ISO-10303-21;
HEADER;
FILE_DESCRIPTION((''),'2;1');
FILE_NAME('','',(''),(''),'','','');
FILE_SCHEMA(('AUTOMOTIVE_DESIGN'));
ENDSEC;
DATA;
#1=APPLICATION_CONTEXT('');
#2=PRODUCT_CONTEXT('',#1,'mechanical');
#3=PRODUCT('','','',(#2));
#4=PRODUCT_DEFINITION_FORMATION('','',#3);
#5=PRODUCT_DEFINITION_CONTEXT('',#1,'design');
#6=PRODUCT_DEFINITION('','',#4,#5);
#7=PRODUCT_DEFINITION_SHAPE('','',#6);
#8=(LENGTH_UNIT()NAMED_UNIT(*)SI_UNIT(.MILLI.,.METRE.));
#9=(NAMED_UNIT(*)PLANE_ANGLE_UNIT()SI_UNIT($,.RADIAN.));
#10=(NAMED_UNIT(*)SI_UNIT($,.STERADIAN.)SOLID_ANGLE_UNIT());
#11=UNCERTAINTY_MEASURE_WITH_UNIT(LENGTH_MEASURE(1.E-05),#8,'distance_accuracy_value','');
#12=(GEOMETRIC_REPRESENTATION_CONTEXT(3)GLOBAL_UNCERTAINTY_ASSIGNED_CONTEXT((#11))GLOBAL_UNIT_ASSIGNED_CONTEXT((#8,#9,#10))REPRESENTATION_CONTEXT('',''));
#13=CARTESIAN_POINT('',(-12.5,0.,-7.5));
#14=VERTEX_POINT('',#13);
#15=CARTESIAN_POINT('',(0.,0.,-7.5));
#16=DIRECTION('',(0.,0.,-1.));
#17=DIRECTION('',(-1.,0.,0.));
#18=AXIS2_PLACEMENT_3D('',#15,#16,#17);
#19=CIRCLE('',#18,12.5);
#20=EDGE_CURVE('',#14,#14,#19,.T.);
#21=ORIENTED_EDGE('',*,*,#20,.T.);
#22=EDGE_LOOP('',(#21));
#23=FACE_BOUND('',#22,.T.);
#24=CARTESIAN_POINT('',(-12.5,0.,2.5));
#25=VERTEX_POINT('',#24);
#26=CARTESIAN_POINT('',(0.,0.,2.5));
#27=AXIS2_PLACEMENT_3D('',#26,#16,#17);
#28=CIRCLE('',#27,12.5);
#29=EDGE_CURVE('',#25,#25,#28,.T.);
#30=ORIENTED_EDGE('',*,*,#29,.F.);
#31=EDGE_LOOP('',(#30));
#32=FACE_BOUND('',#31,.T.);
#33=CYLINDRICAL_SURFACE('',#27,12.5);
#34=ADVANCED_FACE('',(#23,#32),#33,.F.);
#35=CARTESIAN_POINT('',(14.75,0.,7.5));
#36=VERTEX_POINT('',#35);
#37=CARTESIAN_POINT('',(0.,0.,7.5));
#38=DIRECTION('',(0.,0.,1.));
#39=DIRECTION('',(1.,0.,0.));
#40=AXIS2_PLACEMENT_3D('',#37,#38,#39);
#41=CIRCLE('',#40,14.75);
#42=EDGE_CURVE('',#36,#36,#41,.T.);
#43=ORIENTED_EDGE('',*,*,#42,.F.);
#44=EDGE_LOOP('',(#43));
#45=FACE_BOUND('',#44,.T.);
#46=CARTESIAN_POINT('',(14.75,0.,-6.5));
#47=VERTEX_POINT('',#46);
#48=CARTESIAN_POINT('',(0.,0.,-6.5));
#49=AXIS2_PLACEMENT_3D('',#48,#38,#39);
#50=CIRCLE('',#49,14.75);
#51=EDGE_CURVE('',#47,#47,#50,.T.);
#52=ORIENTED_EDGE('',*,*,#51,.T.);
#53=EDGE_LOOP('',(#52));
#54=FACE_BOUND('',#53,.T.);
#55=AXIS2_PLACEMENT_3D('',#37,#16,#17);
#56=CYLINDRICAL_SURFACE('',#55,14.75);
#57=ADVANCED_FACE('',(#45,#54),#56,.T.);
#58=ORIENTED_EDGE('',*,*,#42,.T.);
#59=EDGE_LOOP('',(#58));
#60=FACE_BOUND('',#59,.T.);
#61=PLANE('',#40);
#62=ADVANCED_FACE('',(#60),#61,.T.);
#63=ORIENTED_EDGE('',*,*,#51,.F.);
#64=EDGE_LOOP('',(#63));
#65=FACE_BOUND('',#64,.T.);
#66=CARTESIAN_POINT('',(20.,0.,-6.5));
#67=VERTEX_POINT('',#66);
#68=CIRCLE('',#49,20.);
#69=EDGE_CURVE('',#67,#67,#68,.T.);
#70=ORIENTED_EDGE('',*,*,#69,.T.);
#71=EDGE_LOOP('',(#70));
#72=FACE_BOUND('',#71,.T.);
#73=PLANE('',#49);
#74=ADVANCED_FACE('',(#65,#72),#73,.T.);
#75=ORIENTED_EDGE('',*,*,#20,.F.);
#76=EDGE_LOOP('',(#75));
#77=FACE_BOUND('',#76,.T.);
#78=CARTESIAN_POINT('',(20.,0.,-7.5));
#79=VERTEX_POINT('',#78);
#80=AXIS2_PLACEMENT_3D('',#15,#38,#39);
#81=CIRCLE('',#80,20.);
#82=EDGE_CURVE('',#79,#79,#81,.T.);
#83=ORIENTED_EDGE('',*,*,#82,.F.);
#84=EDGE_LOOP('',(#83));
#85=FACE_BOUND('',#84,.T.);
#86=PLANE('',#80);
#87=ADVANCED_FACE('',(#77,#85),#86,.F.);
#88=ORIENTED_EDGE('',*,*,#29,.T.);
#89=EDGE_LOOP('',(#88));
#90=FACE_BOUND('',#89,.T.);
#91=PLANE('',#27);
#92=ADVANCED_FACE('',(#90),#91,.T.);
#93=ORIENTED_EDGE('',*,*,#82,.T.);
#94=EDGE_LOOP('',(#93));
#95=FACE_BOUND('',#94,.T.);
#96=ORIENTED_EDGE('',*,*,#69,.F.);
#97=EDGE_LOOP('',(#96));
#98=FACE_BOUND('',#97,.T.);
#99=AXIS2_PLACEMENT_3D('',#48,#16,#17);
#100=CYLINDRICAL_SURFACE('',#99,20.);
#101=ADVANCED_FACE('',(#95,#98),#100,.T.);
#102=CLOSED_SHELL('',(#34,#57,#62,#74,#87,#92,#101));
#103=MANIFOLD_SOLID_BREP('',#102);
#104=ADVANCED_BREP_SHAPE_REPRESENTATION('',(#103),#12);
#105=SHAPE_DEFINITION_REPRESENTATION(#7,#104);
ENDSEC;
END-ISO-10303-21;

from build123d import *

# Parameters (mm, degrees)
SKETCH2_R           = 14.75
BOSS_EXTRUDE1_DEPTH = 7.5
BOSS_EXTRUDE2_START = -7.5
SKETCH3_R           = 20
BOSS_EXTRUDE2_DEPTH = 1
SKETCH4_R           = 12.5
CUT_EXTRUDE1_DEPTH  = 10


with BuildPart() as part:
    # Sketch2 → Boss-Extrude1 (new body, symmetric)
    with BuildSketch(Plane.XY):
        Circle(SKETCH2_R)
    extrude(amount=BOSS_EXTRUDE1_DEPTH, both=True)

    # Sketch3 → Boss-Extrude2 (add)
    with BuildSketch(Plane.XY.offset(BOSS_EXTRUDE2_START)):
        Circle(SKETCH3_R)
    extrude(amount=BOSS_EXTRUDE2_DEPTH)

    # Sketch4 → Cut-Extrude1 (cut)
    with BuildSketch(Plane(origin=(0, 0, -7.5), x_dir=(-1, 0, 0), z_dir=(0, 0, -1))):
        Circle(SKETCH4_R)
    extrude(amount=-CUT_EXTRUDE1_DEPTH, mode=Mode.SUBTRACT)


solid = part.part
